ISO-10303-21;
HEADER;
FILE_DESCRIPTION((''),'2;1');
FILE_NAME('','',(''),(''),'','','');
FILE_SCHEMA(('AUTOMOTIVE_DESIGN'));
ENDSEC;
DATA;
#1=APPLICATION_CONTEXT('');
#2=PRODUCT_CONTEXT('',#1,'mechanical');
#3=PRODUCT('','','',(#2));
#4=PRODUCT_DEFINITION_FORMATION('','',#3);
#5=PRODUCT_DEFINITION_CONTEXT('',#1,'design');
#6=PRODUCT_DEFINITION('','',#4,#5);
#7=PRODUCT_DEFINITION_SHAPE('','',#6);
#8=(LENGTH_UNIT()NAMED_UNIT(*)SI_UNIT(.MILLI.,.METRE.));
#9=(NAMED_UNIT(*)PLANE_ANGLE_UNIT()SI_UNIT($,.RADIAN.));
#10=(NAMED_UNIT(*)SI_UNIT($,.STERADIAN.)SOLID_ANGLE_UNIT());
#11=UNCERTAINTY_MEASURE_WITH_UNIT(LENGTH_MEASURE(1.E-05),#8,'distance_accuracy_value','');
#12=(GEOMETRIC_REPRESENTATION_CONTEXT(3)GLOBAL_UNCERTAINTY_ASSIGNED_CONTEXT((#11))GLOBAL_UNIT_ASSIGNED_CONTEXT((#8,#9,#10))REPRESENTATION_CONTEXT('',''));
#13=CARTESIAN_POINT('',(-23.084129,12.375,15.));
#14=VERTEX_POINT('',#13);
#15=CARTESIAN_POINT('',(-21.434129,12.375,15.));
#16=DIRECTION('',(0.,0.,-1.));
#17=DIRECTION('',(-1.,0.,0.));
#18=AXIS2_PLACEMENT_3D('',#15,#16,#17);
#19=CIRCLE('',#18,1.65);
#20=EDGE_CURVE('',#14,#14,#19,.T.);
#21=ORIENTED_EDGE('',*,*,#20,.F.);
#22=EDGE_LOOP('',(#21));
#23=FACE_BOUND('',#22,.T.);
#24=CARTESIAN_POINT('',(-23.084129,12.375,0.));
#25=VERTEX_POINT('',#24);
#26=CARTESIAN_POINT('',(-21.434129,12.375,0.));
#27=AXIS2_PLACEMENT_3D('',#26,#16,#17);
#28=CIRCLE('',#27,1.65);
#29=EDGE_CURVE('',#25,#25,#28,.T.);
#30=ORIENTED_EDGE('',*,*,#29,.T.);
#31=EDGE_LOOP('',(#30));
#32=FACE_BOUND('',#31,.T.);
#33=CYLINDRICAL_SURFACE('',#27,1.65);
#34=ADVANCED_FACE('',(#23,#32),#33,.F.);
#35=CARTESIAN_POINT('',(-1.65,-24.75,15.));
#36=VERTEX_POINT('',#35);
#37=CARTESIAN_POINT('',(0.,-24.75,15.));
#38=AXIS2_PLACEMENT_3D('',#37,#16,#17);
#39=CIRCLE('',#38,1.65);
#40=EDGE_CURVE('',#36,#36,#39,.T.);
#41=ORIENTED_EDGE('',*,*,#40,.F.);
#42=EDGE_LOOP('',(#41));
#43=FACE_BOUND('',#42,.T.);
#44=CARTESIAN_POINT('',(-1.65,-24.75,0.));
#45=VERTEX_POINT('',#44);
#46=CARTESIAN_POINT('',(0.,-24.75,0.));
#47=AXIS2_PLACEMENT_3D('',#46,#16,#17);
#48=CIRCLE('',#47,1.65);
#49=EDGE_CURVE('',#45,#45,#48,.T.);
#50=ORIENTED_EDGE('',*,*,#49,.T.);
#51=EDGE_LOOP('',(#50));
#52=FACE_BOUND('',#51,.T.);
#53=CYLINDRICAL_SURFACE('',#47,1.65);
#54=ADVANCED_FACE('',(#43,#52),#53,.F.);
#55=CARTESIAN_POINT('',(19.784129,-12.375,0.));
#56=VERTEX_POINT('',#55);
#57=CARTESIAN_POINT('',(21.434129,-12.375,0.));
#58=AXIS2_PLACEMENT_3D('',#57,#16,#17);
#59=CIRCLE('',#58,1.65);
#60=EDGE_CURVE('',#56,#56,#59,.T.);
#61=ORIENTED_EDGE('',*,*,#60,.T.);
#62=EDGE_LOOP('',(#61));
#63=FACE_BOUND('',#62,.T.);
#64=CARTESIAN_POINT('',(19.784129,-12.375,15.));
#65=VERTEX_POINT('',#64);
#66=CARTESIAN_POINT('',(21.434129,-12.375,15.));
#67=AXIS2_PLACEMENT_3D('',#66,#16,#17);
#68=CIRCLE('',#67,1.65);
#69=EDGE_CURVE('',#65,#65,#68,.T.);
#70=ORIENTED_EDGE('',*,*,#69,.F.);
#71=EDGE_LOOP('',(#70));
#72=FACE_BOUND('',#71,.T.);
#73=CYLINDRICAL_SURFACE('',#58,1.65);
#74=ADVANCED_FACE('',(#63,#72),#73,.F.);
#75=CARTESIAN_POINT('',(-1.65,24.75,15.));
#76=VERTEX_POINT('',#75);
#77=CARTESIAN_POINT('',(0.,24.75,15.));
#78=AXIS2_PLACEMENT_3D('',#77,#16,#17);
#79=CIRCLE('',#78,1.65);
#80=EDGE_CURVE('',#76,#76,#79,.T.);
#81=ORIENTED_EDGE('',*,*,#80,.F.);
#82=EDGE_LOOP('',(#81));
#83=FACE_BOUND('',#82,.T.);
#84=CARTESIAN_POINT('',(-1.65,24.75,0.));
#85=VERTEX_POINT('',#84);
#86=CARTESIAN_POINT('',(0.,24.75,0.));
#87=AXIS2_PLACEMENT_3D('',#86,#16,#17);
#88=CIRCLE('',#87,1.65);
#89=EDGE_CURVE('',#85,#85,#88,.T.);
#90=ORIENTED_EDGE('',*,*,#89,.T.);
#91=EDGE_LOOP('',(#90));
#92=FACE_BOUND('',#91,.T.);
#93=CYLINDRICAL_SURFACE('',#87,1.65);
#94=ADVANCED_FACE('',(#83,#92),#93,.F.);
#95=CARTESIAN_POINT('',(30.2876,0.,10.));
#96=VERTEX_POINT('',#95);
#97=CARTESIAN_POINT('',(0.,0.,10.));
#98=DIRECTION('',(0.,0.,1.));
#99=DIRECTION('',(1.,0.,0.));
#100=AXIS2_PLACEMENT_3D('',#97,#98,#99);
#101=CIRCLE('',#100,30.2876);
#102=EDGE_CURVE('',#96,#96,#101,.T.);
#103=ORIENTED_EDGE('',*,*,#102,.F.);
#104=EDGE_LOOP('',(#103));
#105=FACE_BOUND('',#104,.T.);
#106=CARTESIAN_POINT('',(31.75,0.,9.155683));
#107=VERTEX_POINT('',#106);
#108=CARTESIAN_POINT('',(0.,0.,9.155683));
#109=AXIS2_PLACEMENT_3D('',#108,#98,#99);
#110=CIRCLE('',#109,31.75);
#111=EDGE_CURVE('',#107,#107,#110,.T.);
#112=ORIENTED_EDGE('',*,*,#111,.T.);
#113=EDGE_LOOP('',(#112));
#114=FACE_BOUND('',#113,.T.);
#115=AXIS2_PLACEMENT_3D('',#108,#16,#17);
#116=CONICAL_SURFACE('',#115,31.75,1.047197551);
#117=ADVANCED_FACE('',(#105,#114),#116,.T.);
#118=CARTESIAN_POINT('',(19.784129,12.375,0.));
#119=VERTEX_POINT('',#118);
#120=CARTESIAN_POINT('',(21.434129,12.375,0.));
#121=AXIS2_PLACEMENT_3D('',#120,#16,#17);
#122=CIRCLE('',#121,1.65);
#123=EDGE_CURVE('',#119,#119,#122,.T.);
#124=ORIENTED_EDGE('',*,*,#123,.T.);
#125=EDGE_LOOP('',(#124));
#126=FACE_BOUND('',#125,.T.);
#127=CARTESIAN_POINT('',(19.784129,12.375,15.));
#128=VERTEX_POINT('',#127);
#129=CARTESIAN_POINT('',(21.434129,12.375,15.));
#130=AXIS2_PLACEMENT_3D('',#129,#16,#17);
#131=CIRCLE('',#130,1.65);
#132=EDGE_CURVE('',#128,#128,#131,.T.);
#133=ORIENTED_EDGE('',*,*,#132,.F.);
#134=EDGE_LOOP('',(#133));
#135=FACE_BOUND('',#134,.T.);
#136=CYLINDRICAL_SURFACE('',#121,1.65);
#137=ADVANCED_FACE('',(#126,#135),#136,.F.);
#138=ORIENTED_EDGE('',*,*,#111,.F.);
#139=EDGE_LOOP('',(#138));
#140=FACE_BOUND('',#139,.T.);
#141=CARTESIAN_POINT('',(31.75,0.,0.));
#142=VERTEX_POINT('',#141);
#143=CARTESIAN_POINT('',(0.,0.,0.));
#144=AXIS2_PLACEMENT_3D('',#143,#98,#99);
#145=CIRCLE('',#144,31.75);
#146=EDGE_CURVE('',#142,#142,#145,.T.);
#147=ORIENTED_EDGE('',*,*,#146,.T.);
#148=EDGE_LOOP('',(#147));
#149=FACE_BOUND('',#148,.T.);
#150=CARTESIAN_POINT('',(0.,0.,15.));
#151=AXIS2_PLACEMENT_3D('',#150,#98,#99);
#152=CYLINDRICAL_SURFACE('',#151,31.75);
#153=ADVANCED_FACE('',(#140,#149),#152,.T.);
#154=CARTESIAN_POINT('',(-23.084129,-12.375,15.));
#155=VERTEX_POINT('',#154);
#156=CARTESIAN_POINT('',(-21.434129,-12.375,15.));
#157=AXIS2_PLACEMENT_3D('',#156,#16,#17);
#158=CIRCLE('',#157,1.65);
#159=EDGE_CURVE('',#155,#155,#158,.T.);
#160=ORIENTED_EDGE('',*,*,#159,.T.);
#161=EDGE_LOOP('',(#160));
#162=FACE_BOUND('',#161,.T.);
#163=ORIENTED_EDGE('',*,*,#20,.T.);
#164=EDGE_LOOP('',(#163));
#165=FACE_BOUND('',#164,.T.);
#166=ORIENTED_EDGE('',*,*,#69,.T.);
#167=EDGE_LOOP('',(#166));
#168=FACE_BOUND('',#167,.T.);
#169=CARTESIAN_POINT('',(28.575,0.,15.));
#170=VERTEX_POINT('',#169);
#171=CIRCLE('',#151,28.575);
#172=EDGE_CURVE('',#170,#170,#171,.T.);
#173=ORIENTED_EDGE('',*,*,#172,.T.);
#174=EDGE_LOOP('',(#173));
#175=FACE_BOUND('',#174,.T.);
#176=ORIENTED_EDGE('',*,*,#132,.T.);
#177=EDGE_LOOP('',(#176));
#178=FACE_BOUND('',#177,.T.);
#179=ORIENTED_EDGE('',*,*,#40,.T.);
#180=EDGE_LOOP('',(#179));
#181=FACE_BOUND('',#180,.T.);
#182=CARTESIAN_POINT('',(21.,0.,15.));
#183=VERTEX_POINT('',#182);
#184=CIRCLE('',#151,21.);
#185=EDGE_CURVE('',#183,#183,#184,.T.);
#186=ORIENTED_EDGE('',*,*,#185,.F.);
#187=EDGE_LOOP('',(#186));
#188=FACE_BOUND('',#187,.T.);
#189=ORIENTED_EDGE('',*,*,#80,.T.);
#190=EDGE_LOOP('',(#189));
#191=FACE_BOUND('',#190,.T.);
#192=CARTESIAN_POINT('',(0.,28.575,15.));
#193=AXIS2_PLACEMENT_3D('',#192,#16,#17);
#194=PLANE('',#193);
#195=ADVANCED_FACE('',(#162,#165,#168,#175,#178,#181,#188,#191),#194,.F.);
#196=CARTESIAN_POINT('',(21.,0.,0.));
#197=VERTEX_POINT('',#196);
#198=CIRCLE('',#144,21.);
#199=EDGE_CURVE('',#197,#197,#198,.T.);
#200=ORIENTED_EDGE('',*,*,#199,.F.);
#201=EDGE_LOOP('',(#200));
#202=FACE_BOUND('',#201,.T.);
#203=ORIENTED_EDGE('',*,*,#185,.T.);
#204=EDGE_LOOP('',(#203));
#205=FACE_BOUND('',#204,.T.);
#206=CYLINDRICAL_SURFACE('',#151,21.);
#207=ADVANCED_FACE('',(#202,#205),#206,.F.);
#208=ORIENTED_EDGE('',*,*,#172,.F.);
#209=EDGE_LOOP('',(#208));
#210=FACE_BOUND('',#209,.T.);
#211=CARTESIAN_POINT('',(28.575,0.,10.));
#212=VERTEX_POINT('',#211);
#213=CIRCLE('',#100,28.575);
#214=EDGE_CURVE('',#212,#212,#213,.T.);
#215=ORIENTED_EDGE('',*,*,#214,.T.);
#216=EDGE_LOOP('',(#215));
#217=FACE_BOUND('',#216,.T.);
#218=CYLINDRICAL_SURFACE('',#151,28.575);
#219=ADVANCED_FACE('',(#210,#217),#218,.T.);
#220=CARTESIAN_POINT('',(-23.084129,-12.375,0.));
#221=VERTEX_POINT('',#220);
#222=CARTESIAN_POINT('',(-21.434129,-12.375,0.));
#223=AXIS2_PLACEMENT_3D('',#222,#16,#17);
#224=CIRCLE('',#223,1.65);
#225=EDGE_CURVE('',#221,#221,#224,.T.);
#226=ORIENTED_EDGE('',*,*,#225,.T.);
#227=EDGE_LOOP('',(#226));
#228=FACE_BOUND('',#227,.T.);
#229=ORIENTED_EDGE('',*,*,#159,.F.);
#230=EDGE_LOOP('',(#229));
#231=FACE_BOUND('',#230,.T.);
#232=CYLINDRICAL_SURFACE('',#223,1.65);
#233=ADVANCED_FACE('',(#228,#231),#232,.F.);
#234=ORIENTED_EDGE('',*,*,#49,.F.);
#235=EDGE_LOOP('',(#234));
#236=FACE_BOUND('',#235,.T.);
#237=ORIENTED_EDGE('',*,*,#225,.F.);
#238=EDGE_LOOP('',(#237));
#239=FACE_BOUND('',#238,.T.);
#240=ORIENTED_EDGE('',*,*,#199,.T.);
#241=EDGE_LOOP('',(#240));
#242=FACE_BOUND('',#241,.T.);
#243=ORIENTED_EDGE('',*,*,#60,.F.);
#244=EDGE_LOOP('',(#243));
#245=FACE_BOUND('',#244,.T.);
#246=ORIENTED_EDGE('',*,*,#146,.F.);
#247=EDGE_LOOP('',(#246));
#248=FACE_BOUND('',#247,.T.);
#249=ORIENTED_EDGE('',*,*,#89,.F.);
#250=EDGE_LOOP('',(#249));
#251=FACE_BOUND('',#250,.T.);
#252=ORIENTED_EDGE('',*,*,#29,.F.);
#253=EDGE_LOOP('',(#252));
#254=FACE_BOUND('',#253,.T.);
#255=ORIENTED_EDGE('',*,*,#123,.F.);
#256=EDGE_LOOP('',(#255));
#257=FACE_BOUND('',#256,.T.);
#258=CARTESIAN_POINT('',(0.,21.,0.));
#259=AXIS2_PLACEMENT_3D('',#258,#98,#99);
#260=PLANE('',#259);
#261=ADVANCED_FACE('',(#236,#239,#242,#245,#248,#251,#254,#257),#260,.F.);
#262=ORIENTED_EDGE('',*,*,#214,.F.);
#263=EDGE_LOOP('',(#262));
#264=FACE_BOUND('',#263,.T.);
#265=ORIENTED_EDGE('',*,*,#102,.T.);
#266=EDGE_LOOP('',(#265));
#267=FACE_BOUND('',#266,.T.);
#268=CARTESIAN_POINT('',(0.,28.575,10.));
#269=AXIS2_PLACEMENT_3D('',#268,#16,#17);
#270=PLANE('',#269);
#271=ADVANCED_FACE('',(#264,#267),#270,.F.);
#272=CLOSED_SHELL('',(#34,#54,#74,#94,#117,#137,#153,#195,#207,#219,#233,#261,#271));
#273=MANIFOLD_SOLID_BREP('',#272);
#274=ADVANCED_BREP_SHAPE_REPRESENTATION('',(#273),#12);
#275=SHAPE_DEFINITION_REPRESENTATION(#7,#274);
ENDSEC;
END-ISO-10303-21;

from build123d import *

# Parameters (mm, degrees)
M4X0_7_TAPPED_HOLE1_D = 3.3
CIRPATTERN1_COUNT     = 6


with BuildPart() as part:
    # Sketch1 → Revolve1 (revolve)
    with BuildSketch(Plane(origin=(0, 0, 0), x_dir=(0, 0, -1), z_dir=(1, 0, 0)), mode=Mode.PRIVATE) as revolve1_sk:
        Polygon((0, 31.75), (-9.155682966, 31.75), (-10, 30.2876), (-10, 28.575), (-15, 28.575), (-15, 21), (0, 21), align=None)
    revolve(revolve1_sk.sketch.rotate(Axis((0, 0, 15), (0, 0, -1)), 90), axis=Axis((0, 0, 15), (0, 0, -1)))

    # M4x0.7 Tapped Hole1 (through all)
    with Locations(Plane(origin=(0, 0, 0), x_dir=(-1, 0, 0), z_dir=(0, 0, -1))):
        with Locations((0, 24.75)):
            m4x0_7_tapped_hole1 = Hole(M4X0_7_TAPPED_HOLE1_D / 2)

    # CirPattern1: M4x0.7 Tapped Hole1 ×6 about axis
    cirpattern1_axis = Axis((0, 0, 0), (0, 0, 1))
    for i in range(1, CIRPATTERN1_COUNT):
        add(m4x0_7_tapped_hole1.rotate(cirpattern1_axis, i * 360 / CIRPATTERN1_COUNT), mode=Mode.SUBTRACT)


solid = part.part
